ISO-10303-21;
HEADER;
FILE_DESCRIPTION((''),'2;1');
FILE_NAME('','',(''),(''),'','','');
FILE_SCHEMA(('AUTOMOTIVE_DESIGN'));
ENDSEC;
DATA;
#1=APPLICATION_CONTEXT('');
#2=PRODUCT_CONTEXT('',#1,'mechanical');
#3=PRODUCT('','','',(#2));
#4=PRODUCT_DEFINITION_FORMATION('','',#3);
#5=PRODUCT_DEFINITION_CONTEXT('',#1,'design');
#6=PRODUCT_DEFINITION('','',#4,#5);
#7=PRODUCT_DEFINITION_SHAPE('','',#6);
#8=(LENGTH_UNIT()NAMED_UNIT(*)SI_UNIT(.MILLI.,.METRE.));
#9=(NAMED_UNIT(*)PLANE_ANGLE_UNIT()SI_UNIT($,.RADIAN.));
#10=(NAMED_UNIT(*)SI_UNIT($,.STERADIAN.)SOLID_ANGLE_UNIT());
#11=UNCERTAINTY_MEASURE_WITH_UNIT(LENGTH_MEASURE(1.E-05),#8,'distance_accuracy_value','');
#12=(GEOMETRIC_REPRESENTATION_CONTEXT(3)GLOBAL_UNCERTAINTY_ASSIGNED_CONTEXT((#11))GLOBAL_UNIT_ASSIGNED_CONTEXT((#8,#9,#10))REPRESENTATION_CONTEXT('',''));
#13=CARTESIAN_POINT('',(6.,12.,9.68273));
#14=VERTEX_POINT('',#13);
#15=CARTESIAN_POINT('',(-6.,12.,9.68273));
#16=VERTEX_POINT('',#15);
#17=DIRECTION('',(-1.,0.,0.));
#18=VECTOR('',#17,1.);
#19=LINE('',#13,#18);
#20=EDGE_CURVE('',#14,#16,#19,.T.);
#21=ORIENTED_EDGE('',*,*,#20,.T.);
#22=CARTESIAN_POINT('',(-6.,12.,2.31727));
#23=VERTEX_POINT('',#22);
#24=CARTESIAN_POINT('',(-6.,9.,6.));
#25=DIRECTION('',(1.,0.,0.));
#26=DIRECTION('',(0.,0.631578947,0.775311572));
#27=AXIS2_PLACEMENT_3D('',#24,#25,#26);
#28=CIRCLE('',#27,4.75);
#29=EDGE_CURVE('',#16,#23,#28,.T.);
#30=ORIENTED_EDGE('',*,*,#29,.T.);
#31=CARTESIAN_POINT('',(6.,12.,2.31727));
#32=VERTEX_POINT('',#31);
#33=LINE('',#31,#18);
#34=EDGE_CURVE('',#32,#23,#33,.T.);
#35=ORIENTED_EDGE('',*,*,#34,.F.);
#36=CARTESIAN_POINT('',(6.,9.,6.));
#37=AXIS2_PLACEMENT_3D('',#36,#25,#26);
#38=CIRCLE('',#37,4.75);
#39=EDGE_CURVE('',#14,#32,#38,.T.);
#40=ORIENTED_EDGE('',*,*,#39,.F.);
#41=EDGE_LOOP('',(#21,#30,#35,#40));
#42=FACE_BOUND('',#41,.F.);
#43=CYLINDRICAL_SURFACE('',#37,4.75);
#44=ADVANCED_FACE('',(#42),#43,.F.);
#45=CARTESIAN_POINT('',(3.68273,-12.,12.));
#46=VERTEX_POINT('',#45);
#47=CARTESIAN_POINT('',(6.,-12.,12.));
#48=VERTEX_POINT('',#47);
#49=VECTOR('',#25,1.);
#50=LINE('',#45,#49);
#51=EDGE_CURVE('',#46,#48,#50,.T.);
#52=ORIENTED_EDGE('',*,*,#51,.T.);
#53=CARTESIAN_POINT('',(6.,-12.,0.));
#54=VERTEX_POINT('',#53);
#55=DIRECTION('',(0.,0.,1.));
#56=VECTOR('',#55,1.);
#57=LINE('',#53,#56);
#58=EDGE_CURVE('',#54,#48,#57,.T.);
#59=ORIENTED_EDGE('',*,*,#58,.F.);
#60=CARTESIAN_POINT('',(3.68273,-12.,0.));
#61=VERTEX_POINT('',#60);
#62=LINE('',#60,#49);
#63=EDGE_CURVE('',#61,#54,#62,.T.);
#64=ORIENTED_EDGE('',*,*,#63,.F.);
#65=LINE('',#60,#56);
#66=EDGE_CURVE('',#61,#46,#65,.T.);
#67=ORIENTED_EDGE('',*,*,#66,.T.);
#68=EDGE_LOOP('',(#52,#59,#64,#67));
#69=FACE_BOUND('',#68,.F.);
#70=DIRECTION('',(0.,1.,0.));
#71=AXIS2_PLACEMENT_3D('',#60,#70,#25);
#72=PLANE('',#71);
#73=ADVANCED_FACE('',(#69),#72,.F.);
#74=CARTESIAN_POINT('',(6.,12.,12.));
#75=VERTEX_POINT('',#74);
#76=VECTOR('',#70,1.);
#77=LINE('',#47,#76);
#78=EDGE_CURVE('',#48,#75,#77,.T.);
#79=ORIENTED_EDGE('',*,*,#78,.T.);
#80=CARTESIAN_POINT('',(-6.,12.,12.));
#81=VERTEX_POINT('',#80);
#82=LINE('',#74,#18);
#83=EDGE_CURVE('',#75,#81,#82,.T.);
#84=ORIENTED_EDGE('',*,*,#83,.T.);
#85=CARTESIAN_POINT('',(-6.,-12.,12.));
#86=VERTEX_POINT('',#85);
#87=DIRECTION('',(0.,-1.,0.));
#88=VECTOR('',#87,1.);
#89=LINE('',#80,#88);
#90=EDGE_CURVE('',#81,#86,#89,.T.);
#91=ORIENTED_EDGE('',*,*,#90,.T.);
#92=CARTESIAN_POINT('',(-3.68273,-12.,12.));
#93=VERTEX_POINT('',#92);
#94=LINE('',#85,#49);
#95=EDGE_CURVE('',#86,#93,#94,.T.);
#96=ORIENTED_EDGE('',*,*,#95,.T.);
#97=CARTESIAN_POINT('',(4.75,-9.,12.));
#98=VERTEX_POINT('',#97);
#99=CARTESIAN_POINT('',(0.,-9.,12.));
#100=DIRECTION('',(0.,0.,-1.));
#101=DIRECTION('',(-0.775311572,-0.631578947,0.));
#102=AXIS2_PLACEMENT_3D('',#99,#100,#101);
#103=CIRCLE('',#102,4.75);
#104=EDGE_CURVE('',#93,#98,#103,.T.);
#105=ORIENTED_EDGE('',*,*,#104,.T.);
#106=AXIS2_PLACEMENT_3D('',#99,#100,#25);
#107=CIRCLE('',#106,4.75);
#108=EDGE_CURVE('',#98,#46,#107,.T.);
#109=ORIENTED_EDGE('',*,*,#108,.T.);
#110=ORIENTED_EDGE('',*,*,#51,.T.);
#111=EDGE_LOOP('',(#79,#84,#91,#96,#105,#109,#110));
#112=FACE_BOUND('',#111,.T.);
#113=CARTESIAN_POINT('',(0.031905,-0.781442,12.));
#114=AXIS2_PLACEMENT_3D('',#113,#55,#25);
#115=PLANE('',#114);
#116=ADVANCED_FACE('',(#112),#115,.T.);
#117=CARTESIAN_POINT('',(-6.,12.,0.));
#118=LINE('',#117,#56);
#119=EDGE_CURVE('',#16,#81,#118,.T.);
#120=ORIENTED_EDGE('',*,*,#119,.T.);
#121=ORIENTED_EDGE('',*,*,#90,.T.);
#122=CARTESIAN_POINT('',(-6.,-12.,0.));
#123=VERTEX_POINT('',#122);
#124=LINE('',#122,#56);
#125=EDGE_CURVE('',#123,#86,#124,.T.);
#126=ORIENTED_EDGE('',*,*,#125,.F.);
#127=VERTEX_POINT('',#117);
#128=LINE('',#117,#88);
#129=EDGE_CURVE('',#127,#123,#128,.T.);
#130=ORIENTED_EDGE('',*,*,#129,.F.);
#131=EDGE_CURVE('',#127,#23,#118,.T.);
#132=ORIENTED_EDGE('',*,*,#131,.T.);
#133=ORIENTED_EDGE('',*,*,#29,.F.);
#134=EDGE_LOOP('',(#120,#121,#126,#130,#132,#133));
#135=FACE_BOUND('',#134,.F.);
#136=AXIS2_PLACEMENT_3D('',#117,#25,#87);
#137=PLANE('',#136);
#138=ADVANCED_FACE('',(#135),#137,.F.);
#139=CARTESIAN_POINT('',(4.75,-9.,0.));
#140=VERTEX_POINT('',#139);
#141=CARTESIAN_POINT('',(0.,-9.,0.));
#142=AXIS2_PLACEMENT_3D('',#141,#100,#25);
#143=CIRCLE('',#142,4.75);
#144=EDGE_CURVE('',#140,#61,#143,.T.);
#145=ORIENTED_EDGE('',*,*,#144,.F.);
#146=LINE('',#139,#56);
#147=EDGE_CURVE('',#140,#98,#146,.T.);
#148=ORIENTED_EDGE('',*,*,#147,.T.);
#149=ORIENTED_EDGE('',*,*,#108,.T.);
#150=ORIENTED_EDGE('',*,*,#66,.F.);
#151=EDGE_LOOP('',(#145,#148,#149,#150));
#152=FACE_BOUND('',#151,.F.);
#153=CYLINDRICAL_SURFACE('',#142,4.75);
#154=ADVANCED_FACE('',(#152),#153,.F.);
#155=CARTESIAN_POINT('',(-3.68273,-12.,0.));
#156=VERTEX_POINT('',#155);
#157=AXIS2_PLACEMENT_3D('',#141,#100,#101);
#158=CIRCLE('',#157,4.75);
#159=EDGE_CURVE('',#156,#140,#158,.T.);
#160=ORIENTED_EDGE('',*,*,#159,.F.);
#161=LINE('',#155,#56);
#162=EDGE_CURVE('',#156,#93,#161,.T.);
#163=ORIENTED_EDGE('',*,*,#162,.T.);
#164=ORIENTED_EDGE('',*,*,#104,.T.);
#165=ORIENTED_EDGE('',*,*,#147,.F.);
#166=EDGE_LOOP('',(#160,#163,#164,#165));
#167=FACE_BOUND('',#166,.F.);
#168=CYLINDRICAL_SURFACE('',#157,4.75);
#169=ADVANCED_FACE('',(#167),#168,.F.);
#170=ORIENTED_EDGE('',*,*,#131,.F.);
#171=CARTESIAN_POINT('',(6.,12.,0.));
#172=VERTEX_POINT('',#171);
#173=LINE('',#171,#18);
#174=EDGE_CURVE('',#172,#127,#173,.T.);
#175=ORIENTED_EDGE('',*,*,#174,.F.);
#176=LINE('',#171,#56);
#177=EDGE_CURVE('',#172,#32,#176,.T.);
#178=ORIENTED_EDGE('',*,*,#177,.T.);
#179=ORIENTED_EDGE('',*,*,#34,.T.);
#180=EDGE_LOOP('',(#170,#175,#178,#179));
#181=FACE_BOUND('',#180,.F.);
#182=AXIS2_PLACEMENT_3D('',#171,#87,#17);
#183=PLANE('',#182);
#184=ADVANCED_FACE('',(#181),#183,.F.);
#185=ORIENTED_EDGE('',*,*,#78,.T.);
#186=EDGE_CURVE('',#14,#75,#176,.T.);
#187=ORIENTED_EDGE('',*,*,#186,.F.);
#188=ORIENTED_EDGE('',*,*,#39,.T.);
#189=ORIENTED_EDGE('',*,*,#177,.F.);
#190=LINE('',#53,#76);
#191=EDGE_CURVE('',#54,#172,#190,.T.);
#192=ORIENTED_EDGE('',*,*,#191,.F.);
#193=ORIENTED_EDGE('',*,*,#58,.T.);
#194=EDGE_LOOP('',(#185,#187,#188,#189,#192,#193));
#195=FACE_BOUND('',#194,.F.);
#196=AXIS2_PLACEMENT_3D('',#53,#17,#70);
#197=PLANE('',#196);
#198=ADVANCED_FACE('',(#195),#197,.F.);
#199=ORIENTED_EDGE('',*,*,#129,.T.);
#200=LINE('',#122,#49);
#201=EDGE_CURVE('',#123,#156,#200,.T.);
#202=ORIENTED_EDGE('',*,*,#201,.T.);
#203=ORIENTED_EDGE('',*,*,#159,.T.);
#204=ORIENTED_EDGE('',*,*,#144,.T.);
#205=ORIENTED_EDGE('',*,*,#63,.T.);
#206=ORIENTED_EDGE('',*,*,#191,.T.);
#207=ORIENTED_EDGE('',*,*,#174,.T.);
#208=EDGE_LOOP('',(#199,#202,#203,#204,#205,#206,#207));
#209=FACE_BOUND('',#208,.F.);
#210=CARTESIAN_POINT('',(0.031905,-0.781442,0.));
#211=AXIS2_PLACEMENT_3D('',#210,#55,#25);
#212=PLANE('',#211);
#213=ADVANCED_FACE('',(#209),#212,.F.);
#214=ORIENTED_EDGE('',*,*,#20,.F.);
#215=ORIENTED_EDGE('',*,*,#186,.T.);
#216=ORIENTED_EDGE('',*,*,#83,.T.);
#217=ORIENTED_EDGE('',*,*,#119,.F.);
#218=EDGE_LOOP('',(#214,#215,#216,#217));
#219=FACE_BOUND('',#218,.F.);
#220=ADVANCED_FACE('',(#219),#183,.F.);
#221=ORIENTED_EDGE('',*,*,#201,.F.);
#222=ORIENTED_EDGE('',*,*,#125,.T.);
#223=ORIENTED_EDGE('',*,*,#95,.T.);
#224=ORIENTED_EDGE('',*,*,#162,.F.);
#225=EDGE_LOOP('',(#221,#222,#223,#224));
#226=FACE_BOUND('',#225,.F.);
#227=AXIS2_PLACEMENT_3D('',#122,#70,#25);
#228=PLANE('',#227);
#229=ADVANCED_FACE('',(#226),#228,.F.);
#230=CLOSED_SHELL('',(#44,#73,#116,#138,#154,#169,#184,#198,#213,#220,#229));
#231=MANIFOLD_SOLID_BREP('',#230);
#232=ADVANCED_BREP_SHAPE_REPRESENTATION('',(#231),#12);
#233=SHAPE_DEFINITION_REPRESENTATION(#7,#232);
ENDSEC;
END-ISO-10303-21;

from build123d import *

# Parameters (mm, degrees)
F1_DEPTH = 12
F3_DEPTH = 12


with BuildPart() as f1:
    # F0 (on Top) → F1 (new body)
    with BuildSketch(Plane.XY):
        with BuildLine():
            Line((6, -12), (6, 12))
            Line((6, 12), (-6, 12))
            Line((-6, 12), (-6, -12))
            Line((-6, -12), (-3.6827299657, -12))
            ThreePointArc((-3.6827299657, -12), (-1.5920949505, -4.5247644008), (4.75, -9))
            ThreePointArc((4.75, -9), (4.4752355992, -10.5920949505), (3.6827299657, -12))
            Line((3.6827299657, -12), (6, -12))
        make_face()
    extrude(amount=F1_DEPTH)

    # F2 (on face) → F3 (cut, through all)
    with BuildSketch(Plane.YZ.offset(6)):
        with BuildLine():
            Line((12, 2.3172700343), (12, 9.6827299657))
            ThreePointArc((12, 9.6827299657), (4.25, 6), (12, 2.3172700343))
        make_face()
    extrude(amount=-F3_DEPTH, mode=Mode.SUBTRACT)


solid = f1.part
